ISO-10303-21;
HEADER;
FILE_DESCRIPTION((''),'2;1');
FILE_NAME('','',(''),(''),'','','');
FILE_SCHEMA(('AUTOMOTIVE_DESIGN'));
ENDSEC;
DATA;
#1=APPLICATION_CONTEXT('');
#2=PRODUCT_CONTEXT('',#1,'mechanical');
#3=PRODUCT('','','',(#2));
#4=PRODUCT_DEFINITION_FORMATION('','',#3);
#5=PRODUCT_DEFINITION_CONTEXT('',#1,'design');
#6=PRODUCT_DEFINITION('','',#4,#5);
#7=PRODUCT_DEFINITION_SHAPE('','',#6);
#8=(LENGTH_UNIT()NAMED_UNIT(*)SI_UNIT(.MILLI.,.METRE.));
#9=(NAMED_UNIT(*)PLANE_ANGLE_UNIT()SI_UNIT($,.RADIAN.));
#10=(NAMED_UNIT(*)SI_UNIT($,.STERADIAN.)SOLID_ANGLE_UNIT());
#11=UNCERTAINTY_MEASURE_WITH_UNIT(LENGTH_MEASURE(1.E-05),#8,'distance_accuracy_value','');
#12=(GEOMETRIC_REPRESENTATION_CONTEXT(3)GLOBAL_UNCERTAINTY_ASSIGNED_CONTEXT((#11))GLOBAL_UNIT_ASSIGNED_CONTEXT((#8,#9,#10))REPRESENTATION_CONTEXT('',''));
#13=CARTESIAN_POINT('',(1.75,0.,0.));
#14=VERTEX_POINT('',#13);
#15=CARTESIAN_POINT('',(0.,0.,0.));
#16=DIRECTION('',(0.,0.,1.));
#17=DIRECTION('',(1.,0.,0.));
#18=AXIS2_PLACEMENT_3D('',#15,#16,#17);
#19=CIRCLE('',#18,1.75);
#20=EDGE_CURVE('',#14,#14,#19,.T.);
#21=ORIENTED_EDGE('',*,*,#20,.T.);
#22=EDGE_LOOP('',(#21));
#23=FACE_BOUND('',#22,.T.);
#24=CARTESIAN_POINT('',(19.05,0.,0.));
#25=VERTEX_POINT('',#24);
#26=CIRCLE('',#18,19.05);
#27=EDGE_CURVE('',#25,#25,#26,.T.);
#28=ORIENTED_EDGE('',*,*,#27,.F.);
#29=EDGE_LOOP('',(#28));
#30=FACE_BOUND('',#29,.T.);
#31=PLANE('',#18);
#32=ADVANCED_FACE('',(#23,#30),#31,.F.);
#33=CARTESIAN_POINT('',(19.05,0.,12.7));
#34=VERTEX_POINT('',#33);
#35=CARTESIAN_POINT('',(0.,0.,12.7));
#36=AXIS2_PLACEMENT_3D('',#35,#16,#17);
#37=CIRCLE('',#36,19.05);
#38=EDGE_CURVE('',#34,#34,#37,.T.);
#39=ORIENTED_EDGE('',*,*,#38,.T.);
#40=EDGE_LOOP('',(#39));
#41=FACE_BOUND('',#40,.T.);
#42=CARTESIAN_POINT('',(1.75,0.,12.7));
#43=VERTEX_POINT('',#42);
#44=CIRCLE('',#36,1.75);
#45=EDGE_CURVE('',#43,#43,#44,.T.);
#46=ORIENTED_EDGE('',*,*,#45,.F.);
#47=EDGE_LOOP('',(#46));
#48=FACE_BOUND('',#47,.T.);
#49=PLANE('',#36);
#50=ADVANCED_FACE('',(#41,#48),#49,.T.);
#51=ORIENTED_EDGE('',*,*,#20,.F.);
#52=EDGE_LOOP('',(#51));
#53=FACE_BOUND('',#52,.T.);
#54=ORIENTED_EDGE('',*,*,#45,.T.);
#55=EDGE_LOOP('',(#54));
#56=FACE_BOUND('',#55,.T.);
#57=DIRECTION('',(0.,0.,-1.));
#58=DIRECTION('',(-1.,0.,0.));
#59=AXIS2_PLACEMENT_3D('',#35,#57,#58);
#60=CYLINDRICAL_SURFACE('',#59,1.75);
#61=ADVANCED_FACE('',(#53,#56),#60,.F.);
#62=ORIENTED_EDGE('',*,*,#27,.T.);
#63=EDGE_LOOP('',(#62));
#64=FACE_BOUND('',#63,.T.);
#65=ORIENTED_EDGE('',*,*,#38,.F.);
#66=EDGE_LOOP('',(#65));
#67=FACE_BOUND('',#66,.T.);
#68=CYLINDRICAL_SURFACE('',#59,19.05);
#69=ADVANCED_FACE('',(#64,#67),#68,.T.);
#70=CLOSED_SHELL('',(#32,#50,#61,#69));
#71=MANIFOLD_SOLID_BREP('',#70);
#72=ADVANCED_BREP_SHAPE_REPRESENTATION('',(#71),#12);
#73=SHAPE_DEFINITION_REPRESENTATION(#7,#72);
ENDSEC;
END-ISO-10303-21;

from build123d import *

# Parameters (mm, degrees)
ESQUISSE1_R        = 19.05
ESQUISSE1_R_2      = 1.75
BOSS_EXTRU_1_DEPTH = 12.7


with BuildPart() as part:
    # Esquisse1 → Boss.-Extru.1 (new body)
    with BuildSketch(Plane.XY):
        Circle(ESQUISSE1_R)
        Circle(ESQUISSE1_R_2, mode=Mode.SUBTRACT)
    extrude(amount=BOSS_EXTRU_1_DEPTH)


solid = part.part
